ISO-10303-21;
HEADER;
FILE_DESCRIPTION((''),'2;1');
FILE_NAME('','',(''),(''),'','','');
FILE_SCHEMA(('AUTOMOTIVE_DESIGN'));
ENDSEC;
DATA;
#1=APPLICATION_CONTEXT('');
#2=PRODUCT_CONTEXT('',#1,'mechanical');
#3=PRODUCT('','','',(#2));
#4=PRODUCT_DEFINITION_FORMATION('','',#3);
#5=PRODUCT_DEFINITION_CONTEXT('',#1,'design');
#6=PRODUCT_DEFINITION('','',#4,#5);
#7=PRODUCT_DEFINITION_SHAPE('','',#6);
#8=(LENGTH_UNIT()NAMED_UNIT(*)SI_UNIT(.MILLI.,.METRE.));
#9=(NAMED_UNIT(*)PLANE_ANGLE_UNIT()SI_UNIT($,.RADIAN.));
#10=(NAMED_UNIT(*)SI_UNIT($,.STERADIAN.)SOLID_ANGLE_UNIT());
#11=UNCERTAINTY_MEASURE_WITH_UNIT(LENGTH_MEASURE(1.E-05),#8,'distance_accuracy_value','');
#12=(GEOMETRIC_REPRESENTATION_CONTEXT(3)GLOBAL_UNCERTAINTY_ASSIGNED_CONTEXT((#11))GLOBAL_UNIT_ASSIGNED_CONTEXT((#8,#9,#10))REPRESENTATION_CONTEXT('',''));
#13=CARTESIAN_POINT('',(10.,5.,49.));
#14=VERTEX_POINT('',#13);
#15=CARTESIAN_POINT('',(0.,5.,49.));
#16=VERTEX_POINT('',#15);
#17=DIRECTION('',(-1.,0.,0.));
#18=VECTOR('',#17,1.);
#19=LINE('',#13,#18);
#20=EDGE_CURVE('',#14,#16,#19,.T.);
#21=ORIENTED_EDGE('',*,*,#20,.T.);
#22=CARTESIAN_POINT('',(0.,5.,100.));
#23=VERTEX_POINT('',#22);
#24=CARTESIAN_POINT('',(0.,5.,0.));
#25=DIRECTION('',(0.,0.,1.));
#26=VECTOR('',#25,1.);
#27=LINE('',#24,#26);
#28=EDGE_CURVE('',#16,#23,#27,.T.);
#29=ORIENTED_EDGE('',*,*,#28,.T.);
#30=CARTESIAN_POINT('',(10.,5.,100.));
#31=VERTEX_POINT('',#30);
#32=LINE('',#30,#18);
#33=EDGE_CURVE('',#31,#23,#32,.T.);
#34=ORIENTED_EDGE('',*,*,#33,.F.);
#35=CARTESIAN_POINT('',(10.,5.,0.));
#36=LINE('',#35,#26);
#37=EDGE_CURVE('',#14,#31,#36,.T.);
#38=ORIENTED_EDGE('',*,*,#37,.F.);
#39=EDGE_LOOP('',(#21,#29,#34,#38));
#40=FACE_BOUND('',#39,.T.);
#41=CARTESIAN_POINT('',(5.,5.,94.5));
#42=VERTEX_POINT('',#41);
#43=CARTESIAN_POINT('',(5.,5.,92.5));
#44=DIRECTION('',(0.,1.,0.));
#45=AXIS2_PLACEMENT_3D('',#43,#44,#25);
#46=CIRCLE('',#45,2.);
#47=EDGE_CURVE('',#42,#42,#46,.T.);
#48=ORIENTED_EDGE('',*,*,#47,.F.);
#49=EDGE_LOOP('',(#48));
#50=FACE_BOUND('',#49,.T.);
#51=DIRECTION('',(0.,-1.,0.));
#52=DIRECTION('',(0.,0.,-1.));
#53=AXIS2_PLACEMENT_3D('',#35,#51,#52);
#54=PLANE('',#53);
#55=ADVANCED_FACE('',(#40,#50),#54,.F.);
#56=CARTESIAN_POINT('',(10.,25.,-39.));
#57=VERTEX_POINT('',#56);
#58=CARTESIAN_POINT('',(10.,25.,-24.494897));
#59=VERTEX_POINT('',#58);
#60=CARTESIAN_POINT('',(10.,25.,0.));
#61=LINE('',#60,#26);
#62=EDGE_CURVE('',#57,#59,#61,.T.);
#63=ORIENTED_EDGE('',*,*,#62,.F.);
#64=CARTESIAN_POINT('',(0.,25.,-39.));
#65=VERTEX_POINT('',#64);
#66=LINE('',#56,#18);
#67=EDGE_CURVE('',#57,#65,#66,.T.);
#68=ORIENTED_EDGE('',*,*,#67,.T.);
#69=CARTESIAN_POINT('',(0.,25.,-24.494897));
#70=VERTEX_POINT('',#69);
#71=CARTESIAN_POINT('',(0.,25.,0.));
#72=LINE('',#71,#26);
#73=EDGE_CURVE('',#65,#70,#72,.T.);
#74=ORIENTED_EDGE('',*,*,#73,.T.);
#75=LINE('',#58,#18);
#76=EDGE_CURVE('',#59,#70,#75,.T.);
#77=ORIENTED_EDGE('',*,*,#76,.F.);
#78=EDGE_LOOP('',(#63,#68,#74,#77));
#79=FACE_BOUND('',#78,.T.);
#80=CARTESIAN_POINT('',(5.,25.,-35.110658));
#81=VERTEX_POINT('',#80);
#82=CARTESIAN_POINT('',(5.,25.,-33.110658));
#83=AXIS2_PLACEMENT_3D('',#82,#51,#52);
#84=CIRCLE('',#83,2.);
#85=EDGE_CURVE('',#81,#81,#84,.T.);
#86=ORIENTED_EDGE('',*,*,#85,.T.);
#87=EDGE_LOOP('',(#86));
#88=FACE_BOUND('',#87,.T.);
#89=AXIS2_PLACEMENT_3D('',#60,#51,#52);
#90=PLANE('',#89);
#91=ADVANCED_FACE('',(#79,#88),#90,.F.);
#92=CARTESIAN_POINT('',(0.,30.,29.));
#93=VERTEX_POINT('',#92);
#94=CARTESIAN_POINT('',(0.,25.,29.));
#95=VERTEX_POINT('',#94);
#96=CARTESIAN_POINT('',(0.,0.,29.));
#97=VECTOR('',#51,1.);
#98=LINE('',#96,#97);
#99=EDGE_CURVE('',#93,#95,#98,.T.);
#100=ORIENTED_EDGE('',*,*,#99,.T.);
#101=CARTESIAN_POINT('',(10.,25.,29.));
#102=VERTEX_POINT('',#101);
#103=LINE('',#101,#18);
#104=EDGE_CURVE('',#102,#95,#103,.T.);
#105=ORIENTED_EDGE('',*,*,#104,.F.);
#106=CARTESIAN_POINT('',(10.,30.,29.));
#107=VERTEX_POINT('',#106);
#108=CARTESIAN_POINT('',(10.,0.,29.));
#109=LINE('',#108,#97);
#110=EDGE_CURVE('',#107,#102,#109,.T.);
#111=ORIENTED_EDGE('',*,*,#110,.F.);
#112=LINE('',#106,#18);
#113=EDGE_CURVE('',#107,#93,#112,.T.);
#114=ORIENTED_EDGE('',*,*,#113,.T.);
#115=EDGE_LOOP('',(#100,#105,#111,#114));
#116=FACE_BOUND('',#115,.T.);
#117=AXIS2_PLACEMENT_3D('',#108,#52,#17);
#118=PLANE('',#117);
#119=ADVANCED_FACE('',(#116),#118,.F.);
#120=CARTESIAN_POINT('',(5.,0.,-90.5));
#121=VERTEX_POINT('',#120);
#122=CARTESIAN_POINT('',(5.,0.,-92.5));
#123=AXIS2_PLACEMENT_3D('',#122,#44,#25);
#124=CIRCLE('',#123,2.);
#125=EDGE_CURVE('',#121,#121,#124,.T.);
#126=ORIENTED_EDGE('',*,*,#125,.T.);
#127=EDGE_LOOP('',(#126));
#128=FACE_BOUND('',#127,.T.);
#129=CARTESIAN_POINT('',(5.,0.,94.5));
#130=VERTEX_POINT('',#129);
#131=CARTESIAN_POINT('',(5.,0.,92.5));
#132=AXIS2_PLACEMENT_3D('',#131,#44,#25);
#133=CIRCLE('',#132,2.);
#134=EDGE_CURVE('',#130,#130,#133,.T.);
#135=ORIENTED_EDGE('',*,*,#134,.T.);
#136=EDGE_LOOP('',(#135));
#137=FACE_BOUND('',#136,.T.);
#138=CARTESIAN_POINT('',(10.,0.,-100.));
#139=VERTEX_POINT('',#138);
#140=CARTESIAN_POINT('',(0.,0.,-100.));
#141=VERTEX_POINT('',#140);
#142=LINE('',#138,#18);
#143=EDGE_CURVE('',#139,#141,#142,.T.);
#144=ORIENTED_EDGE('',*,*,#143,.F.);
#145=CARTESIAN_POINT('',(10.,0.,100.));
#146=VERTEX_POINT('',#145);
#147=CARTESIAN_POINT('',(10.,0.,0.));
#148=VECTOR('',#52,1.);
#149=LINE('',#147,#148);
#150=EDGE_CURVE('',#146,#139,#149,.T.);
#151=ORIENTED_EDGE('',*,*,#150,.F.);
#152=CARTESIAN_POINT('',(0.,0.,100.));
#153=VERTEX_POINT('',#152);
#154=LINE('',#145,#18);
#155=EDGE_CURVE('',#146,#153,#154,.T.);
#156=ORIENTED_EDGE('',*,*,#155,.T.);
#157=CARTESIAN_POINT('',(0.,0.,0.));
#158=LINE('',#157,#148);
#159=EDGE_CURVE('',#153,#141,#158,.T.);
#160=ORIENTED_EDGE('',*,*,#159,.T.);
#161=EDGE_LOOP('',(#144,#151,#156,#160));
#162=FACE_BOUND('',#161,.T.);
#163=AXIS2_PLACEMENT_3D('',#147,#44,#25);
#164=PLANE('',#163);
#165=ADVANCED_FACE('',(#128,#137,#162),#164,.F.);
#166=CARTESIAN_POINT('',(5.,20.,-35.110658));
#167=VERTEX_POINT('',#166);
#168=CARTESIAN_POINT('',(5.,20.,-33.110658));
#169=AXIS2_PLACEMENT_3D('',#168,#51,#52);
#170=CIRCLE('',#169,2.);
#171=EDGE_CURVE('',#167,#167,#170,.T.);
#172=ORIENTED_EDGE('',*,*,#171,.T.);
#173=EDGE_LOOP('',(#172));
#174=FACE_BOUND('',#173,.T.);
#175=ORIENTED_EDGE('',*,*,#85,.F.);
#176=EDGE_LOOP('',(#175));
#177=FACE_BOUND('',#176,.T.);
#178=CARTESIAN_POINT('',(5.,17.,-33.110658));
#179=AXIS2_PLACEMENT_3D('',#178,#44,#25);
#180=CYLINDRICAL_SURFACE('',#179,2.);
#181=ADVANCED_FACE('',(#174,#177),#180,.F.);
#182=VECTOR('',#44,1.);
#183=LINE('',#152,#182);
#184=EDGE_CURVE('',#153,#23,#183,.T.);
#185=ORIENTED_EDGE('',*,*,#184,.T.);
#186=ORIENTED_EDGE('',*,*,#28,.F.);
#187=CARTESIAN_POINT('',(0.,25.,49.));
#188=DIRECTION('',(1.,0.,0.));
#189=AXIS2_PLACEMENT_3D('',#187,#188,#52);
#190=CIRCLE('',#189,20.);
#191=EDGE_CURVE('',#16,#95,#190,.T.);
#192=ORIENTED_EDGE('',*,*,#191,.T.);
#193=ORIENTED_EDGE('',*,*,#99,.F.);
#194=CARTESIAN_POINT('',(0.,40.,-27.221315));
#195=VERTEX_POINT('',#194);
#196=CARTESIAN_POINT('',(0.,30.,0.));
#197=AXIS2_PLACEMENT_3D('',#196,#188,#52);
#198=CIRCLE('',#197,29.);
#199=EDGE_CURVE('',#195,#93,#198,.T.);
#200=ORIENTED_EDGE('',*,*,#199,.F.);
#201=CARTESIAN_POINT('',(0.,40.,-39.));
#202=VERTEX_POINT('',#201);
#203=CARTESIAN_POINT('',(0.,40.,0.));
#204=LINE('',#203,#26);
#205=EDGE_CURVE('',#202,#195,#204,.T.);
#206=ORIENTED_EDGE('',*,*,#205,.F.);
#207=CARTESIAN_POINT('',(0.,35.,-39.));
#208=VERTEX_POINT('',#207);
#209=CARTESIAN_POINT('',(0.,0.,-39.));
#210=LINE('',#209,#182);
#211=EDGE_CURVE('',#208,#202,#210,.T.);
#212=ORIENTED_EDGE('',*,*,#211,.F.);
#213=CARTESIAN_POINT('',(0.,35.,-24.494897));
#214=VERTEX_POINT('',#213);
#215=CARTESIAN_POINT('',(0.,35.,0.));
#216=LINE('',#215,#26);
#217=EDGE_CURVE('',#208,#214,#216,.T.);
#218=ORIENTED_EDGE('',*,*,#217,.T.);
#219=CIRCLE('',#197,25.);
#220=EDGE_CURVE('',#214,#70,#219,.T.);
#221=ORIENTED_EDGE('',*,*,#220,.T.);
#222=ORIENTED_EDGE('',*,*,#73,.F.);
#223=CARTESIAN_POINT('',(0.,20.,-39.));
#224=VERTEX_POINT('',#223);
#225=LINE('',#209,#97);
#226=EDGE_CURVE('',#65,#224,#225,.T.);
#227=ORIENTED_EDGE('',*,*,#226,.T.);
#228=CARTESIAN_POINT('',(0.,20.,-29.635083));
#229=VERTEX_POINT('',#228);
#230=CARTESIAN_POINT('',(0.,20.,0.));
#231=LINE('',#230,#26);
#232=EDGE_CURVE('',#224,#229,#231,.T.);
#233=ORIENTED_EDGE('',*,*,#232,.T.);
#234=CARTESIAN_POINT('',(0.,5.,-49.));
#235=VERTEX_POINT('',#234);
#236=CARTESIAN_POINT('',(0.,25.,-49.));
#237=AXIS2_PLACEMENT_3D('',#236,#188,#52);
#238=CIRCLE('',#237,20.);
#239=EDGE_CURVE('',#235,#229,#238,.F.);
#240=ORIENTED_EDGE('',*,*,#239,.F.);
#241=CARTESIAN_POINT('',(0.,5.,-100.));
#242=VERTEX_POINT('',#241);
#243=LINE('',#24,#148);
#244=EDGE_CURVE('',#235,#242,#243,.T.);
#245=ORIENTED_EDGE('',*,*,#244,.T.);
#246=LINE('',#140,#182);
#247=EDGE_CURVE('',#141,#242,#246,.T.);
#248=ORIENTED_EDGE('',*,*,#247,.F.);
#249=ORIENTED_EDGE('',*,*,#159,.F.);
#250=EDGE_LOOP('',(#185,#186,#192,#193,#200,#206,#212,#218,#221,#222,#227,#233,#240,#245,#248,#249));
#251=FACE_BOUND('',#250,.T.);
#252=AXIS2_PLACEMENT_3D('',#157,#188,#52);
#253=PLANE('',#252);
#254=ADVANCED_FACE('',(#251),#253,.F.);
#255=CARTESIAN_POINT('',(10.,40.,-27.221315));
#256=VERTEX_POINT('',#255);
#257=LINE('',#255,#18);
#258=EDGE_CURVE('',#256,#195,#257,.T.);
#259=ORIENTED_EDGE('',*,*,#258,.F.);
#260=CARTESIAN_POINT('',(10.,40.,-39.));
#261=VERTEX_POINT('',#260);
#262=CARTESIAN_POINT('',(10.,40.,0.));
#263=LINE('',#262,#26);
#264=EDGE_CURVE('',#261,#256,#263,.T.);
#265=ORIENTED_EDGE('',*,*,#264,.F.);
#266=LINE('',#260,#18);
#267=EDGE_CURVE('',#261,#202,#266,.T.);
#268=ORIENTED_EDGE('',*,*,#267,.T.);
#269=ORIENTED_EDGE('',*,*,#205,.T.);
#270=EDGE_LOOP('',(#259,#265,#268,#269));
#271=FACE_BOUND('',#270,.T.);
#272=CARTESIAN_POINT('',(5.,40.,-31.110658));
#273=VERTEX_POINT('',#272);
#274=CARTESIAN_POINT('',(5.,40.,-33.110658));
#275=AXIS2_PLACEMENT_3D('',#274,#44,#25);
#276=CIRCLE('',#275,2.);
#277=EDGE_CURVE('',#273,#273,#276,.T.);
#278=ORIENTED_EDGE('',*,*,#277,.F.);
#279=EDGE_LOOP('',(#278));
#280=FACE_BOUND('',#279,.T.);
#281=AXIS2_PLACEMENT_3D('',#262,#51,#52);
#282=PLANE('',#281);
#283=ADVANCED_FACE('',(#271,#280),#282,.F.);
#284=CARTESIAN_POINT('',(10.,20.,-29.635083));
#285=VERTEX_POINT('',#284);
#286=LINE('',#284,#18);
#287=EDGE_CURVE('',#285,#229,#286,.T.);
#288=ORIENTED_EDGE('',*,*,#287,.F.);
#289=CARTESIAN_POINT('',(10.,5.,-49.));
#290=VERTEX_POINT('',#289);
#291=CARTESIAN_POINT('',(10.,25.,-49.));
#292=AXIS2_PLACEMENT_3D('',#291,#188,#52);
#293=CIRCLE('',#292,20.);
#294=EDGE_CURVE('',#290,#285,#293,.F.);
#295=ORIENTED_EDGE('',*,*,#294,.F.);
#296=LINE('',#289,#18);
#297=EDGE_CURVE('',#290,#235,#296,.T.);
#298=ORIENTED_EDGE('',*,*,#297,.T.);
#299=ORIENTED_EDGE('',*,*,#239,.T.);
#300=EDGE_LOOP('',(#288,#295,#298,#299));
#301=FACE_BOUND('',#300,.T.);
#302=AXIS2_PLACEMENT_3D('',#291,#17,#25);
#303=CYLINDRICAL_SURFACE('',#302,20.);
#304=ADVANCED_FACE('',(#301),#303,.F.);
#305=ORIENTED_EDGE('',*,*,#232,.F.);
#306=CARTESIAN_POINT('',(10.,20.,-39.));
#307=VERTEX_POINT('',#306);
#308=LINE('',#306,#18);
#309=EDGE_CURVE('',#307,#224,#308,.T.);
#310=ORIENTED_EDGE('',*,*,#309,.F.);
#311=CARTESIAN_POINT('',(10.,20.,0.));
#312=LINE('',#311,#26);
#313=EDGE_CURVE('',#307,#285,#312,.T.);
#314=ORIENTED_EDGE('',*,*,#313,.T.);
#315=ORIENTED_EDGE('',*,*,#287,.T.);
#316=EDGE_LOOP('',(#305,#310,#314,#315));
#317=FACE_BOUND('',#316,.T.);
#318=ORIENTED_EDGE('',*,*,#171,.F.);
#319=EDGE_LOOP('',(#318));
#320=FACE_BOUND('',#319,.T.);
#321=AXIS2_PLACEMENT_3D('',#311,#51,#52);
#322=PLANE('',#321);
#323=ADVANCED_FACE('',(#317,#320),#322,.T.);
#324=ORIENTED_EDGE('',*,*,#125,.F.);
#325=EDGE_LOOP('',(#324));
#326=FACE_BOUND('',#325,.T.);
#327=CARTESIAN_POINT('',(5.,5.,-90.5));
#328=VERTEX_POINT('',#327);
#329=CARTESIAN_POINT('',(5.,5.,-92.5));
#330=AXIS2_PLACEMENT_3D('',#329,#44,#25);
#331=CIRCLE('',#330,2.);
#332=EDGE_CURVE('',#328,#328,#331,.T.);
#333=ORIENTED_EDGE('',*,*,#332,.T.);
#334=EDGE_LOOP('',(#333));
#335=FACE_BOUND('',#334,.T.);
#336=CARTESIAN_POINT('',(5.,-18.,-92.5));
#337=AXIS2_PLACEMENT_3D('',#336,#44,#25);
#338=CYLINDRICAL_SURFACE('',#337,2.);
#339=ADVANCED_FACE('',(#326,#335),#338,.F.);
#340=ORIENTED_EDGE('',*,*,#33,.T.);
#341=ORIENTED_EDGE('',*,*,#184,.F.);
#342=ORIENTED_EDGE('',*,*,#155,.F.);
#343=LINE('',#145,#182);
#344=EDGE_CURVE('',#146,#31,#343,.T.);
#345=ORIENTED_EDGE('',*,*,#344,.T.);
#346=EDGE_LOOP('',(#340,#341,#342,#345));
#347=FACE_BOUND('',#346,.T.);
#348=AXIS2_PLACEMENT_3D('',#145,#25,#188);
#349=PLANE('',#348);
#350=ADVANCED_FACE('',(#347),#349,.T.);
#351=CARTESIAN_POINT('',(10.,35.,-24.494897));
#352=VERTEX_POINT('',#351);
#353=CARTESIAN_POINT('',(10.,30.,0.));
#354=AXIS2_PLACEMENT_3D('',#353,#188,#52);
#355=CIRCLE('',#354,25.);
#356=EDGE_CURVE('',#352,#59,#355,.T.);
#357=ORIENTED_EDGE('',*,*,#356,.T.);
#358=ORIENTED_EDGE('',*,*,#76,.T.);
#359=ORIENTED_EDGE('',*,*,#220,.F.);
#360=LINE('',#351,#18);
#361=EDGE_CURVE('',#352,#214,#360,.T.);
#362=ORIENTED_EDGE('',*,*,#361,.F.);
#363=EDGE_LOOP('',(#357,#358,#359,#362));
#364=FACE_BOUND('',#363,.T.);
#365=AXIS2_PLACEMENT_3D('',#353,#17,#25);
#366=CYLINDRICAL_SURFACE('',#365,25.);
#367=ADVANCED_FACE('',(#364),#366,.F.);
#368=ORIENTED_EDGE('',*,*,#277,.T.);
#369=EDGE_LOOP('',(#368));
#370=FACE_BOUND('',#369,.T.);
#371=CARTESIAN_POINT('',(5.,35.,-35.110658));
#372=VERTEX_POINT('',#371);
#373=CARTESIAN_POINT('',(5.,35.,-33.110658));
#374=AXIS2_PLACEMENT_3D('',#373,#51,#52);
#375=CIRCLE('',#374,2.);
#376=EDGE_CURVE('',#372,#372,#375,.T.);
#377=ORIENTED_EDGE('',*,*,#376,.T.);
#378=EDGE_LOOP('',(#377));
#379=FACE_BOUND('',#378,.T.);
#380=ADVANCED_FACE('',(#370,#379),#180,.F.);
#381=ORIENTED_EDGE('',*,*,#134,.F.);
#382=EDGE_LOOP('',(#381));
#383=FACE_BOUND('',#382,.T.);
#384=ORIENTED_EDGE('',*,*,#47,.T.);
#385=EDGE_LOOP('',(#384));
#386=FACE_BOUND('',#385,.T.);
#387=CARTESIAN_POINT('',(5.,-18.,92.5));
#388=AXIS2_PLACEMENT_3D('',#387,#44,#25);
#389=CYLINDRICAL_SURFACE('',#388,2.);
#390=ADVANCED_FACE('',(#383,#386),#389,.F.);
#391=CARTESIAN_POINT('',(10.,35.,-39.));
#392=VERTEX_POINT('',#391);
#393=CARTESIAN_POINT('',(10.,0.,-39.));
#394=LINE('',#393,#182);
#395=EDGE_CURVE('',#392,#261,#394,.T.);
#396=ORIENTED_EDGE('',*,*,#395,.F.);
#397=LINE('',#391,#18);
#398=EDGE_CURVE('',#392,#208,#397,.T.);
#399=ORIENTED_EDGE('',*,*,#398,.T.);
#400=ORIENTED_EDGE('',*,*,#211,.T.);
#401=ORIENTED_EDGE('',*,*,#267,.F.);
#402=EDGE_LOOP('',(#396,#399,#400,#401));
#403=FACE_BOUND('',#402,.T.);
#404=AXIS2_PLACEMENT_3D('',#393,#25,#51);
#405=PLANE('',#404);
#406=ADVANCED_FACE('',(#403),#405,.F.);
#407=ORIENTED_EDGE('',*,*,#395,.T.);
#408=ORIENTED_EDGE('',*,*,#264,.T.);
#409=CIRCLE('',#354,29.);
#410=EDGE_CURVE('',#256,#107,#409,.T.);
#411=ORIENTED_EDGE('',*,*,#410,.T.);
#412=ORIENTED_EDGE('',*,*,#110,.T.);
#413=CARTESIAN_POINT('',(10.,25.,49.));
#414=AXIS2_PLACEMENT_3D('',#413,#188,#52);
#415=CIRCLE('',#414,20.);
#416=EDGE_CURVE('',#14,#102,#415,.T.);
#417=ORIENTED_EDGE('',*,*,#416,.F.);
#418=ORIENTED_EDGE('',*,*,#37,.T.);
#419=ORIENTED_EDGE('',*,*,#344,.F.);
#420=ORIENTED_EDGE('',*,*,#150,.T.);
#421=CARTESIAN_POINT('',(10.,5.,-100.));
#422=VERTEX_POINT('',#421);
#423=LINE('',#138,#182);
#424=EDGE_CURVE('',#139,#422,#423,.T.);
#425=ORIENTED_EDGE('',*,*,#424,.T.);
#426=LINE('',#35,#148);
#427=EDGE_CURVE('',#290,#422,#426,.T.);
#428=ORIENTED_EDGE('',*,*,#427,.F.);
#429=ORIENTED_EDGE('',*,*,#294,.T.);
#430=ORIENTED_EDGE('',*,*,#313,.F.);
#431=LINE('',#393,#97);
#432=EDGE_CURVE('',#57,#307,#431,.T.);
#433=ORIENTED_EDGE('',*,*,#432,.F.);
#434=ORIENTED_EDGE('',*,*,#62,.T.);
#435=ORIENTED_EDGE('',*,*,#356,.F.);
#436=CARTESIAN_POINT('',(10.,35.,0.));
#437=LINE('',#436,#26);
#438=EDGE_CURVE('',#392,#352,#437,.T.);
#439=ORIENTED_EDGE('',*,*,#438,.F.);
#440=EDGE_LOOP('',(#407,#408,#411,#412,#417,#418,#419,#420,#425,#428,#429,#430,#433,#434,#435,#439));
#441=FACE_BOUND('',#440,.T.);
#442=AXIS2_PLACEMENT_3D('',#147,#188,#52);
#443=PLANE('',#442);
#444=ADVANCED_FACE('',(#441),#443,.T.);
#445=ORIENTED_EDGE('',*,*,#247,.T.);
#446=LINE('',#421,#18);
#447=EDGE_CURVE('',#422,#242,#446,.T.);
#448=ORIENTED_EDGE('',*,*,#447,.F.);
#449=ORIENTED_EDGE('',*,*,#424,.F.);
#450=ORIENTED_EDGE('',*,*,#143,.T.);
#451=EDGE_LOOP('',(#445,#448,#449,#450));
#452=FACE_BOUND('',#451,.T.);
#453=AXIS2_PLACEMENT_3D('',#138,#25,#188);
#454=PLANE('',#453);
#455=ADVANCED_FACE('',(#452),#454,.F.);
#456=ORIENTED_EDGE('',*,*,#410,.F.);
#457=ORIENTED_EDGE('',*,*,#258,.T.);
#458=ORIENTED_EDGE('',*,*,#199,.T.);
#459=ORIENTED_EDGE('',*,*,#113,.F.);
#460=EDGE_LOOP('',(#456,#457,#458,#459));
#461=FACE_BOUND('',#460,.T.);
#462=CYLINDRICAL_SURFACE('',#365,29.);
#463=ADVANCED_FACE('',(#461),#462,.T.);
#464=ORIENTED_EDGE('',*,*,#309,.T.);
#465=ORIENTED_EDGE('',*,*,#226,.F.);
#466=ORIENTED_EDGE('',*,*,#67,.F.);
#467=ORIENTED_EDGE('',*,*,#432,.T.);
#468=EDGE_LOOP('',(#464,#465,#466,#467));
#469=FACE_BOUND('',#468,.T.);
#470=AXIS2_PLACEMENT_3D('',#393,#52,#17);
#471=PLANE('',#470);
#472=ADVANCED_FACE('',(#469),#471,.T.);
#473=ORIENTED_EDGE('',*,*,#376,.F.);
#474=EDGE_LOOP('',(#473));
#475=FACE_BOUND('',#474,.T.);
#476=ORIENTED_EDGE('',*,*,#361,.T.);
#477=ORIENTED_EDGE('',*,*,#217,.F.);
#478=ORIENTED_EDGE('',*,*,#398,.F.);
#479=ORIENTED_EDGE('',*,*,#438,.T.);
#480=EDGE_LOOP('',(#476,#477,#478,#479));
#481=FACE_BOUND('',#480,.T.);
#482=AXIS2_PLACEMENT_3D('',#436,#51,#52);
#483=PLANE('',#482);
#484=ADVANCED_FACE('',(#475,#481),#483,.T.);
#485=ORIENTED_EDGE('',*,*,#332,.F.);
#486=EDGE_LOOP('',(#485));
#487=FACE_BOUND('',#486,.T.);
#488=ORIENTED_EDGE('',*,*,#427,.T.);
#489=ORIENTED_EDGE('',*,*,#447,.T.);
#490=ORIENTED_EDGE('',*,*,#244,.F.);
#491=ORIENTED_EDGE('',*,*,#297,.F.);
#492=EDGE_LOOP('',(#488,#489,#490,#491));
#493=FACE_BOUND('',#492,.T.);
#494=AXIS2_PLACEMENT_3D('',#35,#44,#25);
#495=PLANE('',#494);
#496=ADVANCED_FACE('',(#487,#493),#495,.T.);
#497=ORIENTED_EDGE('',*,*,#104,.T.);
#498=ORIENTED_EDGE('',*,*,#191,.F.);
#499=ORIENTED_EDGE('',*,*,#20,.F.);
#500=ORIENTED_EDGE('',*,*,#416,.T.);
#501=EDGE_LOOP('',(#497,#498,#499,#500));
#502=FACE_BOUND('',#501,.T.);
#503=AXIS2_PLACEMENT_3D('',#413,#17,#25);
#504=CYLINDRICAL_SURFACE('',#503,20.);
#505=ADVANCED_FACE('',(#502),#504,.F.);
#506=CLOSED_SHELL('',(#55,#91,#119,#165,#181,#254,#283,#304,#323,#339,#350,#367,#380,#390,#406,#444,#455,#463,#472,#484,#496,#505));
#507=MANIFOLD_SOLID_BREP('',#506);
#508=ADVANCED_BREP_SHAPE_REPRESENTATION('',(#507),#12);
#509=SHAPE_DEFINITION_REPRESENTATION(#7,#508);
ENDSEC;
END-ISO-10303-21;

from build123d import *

# Parameters (mm, degrees)
SALIENTE_EXTRUIR1_DEPTH = 10
CROQUIS4_R              = 2
CORTAR_EXTRUIR1_DEPTH   = 23
CROQUIS5_R              = 2
CORTAR_EXTRUIR2_DEPTH   = 23


with BuildPart() as part:
    # Croquis2 → Saliente-Extruir1 (new body)
    with BuildSketch(Plane(origin=(0, 0, 0), x_dir=(0, 0, -1), z_dir=(1, 0, 0))):
        with BuildLine():
            Line((-100, 5), (-100, 0))
            Line((-100, 0), (100, 0))
            Line((100, 0), (100, 5))
            Line((100, 5), (49, 5))
            ThreePointArc((49, 5), (36.752551286, 9.188611699), (29.635083269, 20))
            Line((29.635083269, 20), (39, 20))
            Line((39, 20), (39, 25))
            Line((39, 25), (24.494897428, 25))
            ThreePointArc((24.494897428, 25), (-25, 30), (24.494897428, 35))
            Line((24.494897428, 35), (39, 35))
            Line((39, 35), (39, 40))
            Line((39, 40), (27.221315178, 40))
            ThreePointArc((27.221315178, 40), (-5.078477126, 58.551866315), (-29, 30))
            Line((-29, 30), (-29, 25))
            ThreePointArc((-29, 25), (-34.857864376, 10.857864376), (-49, 5))
            Line((-49, 5), (-100, 5))
        make_face()
    extrude(amount=SALIENTE_EXTRUIR1_DEPTH)

    # Croquis4 → Cortar-Extruir1 (cut)
    with BuildSketch(Plane(origin=(0, 40, 0), x_dir=(1, 0, 0), z_dir=(0, 1, 0))):
        with Locations(Location((5, 33.110657589, 0), (0, 0, 270))):
            Circle(CROQUIS4_R)
    extrude(amount=-CORTAR_EXTRUIR1_DEPTH, mode=Mode.SUBTRACT)

    # Croquis5 → Cortar-Extruir2 (cut)
    with BuildSketch(Plane(origin=(0, 5, 0), x_dir=(1, 0, 0), z_dir=(0, 1, 0))):
        with Locations(Location((5, -92.5, 0), (0, 0, 270))):
            Circle(CROQUIS5_R)
        with Locations(Location((5, 92.5, 0), (0, 0, 270))):
            Circle(CROQUIS5_R)
    extrude(amount=-CORTAR_EXTRUIR2_DEPTH, mode=Mode.SUBTRACT)


solid = part.part
